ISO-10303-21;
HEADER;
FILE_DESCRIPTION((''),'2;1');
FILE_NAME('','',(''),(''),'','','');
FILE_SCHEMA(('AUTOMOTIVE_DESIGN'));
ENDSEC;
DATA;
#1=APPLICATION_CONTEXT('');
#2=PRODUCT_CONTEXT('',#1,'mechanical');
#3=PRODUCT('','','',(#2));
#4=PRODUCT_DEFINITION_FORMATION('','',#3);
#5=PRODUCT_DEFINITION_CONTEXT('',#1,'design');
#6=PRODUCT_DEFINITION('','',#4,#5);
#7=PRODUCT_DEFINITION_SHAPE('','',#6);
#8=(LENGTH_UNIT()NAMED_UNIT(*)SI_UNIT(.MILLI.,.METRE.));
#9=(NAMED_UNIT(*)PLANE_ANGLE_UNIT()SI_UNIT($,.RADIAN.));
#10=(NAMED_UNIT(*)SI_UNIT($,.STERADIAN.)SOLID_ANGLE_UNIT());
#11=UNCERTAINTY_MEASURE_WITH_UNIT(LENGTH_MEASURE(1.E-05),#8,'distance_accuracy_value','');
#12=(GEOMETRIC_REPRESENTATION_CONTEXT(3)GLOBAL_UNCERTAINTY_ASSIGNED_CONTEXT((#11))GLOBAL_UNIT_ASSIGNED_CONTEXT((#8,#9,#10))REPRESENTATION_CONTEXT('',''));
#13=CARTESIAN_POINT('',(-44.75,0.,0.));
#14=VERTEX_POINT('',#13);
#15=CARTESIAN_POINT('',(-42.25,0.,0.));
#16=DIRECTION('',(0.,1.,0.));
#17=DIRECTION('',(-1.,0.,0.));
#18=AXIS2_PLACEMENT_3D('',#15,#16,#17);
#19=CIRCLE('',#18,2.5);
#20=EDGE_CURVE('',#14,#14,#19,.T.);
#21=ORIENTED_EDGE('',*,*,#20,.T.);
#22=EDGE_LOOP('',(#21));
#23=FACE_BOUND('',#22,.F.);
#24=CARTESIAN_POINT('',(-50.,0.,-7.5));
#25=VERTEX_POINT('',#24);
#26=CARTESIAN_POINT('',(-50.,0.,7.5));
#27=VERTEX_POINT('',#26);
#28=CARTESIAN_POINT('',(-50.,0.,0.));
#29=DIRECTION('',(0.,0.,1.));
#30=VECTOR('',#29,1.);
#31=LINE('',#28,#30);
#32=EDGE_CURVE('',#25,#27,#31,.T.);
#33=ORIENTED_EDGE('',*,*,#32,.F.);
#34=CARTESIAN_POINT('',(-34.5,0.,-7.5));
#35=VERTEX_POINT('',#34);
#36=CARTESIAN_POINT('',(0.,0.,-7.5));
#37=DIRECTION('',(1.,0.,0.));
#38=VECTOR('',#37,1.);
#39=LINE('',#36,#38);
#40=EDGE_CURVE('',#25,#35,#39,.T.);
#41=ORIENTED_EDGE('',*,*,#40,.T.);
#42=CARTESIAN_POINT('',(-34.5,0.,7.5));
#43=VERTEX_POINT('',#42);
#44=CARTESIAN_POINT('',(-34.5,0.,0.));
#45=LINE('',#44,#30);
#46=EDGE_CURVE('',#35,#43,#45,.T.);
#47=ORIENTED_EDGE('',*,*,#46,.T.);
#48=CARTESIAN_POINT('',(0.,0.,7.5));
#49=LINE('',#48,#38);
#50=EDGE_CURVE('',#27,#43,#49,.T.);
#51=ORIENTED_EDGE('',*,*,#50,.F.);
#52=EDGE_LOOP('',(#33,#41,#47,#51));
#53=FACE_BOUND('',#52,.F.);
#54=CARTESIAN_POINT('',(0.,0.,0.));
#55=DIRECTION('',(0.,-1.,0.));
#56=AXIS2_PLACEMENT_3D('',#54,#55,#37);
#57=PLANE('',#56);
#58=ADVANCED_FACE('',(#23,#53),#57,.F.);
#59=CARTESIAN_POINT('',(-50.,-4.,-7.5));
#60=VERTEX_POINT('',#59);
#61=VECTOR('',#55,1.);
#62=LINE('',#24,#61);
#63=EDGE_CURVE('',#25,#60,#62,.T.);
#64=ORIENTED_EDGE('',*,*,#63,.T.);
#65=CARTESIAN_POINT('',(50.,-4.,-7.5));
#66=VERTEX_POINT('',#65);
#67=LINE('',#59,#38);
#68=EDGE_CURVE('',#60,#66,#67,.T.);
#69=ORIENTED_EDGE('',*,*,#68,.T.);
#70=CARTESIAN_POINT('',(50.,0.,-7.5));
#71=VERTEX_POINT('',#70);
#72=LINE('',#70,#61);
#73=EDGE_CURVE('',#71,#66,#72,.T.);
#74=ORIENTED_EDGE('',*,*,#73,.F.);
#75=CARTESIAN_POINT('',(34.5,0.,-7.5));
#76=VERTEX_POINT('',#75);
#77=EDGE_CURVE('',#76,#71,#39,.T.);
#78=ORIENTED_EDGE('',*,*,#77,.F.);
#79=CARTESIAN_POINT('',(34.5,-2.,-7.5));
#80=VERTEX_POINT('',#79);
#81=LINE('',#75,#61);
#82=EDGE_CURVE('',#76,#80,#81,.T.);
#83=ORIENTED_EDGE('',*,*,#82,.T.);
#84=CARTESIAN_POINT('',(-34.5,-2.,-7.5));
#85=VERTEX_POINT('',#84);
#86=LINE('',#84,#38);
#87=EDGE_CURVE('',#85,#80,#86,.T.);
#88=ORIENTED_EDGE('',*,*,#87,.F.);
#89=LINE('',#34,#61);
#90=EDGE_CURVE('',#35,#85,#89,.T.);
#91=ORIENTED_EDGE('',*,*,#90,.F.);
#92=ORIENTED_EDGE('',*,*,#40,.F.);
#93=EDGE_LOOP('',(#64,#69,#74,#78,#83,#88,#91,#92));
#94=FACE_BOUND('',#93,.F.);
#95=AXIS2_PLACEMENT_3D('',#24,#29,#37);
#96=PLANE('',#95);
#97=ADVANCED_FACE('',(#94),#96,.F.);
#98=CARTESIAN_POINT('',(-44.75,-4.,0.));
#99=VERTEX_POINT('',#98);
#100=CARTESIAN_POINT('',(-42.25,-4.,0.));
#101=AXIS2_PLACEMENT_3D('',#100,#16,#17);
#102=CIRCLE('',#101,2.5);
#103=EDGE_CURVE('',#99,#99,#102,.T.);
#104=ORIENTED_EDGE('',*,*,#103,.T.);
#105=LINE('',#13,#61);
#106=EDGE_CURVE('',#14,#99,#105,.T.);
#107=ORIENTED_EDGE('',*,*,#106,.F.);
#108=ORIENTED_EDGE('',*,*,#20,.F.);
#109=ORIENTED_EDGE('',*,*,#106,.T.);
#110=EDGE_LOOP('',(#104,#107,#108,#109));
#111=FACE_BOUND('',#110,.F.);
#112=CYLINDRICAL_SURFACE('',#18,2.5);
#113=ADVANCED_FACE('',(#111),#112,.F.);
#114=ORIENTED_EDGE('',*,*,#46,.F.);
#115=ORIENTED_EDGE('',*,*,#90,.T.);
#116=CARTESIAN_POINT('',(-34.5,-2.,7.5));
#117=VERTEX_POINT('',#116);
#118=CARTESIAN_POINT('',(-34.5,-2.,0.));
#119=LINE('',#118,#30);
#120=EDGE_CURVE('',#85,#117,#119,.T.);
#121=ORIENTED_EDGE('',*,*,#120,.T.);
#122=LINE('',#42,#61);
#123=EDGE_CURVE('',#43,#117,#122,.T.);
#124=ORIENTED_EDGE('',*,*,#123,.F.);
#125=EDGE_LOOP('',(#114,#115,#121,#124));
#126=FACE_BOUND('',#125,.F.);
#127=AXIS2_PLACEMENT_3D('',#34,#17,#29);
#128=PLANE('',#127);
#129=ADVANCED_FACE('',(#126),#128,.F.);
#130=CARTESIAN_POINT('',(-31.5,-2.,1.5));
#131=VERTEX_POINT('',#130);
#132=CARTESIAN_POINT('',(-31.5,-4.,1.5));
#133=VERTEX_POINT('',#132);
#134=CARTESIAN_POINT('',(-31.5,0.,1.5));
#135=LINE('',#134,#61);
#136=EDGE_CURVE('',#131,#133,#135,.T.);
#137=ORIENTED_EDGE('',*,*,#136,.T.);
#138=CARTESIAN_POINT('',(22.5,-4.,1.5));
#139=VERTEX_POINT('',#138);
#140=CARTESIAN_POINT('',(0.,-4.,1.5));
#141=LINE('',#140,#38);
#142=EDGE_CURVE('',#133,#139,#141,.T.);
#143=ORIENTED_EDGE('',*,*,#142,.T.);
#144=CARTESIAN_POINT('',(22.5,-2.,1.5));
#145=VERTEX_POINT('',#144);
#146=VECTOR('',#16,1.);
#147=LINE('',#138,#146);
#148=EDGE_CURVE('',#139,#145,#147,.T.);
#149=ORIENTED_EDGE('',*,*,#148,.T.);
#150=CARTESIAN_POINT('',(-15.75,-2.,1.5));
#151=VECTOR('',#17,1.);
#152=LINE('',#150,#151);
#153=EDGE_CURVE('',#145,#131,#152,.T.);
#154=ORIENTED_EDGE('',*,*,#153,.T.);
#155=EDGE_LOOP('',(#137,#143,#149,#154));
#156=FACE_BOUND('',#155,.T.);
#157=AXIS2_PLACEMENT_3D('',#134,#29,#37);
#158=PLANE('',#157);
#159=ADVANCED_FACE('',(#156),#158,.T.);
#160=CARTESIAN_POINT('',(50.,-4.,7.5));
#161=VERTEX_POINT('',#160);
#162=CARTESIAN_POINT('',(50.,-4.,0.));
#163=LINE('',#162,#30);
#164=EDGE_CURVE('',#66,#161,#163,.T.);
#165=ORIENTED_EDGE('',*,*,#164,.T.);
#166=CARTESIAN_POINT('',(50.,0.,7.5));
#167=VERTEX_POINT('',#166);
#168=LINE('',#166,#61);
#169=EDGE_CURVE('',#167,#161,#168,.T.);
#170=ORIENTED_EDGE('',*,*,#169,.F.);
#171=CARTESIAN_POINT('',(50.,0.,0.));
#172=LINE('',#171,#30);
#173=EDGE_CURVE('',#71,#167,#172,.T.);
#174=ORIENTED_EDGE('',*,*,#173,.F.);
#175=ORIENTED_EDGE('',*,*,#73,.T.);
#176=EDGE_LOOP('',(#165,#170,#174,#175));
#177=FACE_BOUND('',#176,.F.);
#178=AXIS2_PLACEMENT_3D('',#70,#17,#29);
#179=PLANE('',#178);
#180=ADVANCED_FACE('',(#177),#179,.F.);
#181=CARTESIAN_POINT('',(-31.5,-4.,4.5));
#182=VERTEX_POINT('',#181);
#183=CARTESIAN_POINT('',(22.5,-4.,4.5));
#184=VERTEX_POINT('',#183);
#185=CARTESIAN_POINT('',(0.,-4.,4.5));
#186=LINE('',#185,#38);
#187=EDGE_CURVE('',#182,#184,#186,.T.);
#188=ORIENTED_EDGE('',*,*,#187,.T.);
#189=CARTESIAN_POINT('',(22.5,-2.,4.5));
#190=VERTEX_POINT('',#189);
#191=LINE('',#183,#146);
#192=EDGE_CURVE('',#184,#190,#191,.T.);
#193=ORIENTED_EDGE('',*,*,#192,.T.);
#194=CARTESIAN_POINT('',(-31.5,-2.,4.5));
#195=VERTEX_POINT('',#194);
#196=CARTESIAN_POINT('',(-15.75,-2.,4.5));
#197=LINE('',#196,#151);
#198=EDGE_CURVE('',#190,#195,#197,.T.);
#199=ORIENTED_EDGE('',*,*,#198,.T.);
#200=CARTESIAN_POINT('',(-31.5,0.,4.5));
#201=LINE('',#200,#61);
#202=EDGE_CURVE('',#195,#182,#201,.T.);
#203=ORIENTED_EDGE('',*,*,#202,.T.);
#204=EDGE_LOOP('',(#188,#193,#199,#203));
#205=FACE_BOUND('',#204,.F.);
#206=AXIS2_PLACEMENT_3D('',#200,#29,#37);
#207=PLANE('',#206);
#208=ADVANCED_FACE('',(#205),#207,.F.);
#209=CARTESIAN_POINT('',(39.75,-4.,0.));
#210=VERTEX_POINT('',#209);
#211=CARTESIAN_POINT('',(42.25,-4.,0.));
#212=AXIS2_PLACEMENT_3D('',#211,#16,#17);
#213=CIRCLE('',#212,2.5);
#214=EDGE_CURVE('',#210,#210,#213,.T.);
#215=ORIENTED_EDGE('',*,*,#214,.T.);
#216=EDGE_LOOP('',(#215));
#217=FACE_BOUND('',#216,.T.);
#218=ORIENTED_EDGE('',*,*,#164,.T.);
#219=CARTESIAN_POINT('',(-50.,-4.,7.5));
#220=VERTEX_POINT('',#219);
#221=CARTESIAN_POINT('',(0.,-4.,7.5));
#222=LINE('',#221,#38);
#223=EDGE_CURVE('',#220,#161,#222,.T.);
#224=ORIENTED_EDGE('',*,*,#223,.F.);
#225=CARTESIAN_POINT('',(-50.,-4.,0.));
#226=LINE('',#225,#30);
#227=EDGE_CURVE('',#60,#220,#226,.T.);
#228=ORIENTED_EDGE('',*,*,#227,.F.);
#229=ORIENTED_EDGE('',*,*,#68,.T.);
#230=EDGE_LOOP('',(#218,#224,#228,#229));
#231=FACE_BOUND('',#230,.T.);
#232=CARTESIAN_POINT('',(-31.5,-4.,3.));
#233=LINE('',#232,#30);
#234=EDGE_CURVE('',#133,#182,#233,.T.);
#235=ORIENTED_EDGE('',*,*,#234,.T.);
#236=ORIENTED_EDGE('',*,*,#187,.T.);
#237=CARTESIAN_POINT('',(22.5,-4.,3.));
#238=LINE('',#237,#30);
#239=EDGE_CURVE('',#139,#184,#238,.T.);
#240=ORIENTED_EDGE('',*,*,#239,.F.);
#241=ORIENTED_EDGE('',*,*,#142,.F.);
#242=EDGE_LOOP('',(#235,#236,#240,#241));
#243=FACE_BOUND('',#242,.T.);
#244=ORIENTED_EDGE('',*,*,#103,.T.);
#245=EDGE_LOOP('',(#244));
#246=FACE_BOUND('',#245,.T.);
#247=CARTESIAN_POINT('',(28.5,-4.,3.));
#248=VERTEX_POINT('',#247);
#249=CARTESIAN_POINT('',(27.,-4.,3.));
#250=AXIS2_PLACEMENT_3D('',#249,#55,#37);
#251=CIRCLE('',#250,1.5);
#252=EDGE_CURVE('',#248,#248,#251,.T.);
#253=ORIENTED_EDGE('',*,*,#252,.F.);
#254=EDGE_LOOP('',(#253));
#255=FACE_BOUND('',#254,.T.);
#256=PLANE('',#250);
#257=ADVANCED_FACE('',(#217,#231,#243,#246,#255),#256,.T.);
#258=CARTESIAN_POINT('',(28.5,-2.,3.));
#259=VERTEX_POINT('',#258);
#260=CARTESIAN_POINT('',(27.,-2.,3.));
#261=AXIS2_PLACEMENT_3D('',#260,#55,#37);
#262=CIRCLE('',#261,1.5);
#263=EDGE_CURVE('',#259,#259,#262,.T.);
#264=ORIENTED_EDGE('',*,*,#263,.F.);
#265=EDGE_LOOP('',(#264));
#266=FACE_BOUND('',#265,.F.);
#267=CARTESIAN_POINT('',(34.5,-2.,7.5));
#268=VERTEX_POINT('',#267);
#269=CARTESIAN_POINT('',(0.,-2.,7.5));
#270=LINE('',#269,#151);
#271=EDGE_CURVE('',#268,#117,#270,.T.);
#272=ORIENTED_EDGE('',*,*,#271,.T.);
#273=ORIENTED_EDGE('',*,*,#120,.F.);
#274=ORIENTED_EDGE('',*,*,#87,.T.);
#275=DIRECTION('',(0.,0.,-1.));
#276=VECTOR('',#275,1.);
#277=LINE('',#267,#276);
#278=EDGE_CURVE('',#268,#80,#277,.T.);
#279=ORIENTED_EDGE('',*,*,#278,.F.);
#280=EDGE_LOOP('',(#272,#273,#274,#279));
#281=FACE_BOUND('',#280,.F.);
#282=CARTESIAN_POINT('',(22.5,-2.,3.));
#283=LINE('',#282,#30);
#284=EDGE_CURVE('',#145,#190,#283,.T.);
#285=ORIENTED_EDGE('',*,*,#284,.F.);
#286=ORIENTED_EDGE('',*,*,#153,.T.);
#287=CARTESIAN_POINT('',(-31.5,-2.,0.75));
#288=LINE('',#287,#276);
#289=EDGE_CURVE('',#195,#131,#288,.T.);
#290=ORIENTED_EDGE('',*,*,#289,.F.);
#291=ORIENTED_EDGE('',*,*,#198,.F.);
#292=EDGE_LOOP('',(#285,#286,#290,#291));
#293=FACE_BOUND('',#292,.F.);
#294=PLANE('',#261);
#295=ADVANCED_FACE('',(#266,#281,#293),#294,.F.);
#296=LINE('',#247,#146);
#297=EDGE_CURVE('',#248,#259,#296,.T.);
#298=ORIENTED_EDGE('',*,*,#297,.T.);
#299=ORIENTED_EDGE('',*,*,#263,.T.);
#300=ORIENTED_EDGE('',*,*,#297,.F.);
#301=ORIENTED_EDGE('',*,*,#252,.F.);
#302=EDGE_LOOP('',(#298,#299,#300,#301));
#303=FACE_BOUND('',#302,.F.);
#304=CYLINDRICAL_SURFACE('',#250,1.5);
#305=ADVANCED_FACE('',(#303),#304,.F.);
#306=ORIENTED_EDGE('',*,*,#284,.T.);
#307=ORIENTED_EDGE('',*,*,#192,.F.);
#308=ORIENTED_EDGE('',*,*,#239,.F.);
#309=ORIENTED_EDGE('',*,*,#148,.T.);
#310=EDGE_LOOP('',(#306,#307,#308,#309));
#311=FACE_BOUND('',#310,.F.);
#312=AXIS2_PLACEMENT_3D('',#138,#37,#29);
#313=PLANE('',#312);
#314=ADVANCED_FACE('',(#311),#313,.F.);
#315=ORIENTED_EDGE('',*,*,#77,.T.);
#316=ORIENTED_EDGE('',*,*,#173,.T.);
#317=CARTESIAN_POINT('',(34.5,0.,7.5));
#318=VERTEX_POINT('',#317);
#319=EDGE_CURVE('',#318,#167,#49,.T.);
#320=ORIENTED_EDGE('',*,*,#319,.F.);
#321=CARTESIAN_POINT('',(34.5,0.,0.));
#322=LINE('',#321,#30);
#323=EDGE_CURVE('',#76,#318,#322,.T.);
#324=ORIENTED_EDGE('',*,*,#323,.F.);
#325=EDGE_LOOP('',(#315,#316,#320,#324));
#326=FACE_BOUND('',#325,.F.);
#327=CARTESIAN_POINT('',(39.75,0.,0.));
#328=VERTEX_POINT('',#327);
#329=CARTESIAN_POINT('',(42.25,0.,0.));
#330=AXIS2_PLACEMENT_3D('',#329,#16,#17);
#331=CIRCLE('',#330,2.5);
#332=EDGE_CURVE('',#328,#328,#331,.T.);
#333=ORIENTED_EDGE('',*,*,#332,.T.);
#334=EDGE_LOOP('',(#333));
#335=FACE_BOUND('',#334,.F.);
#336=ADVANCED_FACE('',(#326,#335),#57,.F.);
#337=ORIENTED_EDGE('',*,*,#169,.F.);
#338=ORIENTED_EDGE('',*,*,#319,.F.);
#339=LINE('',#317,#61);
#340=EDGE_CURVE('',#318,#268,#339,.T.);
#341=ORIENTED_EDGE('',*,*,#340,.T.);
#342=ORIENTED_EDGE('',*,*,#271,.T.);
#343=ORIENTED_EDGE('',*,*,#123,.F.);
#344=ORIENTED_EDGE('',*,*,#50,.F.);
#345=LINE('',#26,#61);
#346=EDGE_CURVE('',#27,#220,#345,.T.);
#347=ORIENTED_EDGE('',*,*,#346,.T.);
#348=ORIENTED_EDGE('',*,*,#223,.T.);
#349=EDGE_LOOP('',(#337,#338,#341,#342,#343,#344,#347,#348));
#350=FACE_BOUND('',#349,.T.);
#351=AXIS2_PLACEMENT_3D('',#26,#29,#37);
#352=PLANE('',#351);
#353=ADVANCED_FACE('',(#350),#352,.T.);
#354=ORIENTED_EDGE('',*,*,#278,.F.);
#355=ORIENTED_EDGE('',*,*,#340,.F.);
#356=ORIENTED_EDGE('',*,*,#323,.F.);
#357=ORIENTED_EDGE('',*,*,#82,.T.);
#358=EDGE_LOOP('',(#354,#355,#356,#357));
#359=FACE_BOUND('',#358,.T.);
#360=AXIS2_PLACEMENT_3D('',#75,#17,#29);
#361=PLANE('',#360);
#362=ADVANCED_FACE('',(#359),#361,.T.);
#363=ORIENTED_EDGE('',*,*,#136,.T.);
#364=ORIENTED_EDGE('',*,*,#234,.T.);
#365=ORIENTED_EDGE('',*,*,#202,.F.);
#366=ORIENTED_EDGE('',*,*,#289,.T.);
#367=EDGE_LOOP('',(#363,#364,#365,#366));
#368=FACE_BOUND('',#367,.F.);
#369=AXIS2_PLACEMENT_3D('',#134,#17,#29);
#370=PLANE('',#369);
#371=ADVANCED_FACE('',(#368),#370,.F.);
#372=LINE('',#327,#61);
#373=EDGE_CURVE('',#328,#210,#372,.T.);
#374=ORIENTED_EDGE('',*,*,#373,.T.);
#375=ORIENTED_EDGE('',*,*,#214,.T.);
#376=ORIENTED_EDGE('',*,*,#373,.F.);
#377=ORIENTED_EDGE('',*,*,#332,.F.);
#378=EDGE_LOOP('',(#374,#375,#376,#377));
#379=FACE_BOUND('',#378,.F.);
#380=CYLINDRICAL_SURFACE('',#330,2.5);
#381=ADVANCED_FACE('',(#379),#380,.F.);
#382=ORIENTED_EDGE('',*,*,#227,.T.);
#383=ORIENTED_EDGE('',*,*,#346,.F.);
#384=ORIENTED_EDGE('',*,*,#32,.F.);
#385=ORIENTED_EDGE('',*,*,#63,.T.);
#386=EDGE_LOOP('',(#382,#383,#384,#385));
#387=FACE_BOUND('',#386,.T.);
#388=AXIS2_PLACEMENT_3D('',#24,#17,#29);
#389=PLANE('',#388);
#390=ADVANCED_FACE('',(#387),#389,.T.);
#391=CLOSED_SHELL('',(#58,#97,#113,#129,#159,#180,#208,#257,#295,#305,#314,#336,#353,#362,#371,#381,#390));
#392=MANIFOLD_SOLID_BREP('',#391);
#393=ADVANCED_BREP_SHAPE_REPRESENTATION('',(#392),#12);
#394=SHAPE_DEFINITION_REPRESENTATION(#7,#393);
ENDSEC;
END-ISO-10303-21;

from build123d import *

# Parameters (mm, degrees)
F0_W      = 100
F0_H      = 15
F0_W_2    = 63
F0_H_2    = 3
F1_DEPTH  = 4
F2_W      = 69
F2_H      = 15
F3_DEPTH  = 2
F4_R      = 2.5
F5_DEPTH  = 25
F6_R      = 2.5
F7_DEPTH  = 25
F8_W      = 9
F8_H      = 3
F9_DEPTH  = 2
F10_R     = 1.5
F11_DEPTH = 25
F12_W     = 68.882376
F12_H     = 7.5
F13_DEPTH = 2


with BuildPart() as f1:
    # F0 (on Front) → F1 (new body)
    with BuildSketch(Plane.XZ):
        Rectangle(F0_W, F0_H)
        with Locations((0, -3)):
            Rectangle(F0_W_2, F0_H_2, mode=Mode.SUBTRACT)
        with Locations((0, 3)):
            Rectangle(F0_W_2, F0_H_2, mode=Mode.SUBTRACT)
    extrude(amount=F1_DEPTH)

    # F2 (on face) → F3 (cut)
    with BuildSketch(Plane(origin=(0, 0, 0), x_dir=(-1, 0, 0), z_dir=(0, 1, 0))):
        Rectangle(F2_W, F2_H)
    extrude(amount=-F3_DEPTH, mode=Mode.SUBTRACT)

    # F4 (on face) → F5 (cut)
    with BuildSketch(Plane(origin=(0, 0, 0), x_dir=(-1, 0, 0), z_dir=(0, 1, 0))):
        with Locations((-42.25, 0)):
            Circle(F4_R)
    extrude(amount=-F5_DEPTH, mode=Mode.SUBTRACT)

    # F6 (on face) → F7 (cut)
    with BuildSketch(Plane(origin=(0, 0, 0), x_dir=(-1, 0, 0), z_dir=(0, 1, 0))):
        with Locations((42.25, 0)):
            Circle(F6_R)
    extrude(amount=-F7_DEPTH, mode=Mode.SUBTRACT)

    # F8 (on face) → F9 (join)
    with BuildSketch(Plane.XZ.offset(4)):
        with Locations((27, 3)):
            Rectangle(F8_W, F8_H)
    extrude(amount=-F9_DEPTH)

    # F10 (on face) → F11 (cut)
    with BuildSketch(Plane.XZ.offset(4)):
        with Locations((27, 3)):
            Circle(F10_R)
    extrude(amount=-F11_DEPTH, mode=Mode.SUBTRACT)

    # F12 (on face) → F13 (join)
    with BuildSketch(Plane.XZ.offset(4)):
        with Locations((0.509296, -3.75)):
            Rectangle(F12_W, F12_H)
    extrude(amount=-F13_DEPTH)


solid = f1.part
